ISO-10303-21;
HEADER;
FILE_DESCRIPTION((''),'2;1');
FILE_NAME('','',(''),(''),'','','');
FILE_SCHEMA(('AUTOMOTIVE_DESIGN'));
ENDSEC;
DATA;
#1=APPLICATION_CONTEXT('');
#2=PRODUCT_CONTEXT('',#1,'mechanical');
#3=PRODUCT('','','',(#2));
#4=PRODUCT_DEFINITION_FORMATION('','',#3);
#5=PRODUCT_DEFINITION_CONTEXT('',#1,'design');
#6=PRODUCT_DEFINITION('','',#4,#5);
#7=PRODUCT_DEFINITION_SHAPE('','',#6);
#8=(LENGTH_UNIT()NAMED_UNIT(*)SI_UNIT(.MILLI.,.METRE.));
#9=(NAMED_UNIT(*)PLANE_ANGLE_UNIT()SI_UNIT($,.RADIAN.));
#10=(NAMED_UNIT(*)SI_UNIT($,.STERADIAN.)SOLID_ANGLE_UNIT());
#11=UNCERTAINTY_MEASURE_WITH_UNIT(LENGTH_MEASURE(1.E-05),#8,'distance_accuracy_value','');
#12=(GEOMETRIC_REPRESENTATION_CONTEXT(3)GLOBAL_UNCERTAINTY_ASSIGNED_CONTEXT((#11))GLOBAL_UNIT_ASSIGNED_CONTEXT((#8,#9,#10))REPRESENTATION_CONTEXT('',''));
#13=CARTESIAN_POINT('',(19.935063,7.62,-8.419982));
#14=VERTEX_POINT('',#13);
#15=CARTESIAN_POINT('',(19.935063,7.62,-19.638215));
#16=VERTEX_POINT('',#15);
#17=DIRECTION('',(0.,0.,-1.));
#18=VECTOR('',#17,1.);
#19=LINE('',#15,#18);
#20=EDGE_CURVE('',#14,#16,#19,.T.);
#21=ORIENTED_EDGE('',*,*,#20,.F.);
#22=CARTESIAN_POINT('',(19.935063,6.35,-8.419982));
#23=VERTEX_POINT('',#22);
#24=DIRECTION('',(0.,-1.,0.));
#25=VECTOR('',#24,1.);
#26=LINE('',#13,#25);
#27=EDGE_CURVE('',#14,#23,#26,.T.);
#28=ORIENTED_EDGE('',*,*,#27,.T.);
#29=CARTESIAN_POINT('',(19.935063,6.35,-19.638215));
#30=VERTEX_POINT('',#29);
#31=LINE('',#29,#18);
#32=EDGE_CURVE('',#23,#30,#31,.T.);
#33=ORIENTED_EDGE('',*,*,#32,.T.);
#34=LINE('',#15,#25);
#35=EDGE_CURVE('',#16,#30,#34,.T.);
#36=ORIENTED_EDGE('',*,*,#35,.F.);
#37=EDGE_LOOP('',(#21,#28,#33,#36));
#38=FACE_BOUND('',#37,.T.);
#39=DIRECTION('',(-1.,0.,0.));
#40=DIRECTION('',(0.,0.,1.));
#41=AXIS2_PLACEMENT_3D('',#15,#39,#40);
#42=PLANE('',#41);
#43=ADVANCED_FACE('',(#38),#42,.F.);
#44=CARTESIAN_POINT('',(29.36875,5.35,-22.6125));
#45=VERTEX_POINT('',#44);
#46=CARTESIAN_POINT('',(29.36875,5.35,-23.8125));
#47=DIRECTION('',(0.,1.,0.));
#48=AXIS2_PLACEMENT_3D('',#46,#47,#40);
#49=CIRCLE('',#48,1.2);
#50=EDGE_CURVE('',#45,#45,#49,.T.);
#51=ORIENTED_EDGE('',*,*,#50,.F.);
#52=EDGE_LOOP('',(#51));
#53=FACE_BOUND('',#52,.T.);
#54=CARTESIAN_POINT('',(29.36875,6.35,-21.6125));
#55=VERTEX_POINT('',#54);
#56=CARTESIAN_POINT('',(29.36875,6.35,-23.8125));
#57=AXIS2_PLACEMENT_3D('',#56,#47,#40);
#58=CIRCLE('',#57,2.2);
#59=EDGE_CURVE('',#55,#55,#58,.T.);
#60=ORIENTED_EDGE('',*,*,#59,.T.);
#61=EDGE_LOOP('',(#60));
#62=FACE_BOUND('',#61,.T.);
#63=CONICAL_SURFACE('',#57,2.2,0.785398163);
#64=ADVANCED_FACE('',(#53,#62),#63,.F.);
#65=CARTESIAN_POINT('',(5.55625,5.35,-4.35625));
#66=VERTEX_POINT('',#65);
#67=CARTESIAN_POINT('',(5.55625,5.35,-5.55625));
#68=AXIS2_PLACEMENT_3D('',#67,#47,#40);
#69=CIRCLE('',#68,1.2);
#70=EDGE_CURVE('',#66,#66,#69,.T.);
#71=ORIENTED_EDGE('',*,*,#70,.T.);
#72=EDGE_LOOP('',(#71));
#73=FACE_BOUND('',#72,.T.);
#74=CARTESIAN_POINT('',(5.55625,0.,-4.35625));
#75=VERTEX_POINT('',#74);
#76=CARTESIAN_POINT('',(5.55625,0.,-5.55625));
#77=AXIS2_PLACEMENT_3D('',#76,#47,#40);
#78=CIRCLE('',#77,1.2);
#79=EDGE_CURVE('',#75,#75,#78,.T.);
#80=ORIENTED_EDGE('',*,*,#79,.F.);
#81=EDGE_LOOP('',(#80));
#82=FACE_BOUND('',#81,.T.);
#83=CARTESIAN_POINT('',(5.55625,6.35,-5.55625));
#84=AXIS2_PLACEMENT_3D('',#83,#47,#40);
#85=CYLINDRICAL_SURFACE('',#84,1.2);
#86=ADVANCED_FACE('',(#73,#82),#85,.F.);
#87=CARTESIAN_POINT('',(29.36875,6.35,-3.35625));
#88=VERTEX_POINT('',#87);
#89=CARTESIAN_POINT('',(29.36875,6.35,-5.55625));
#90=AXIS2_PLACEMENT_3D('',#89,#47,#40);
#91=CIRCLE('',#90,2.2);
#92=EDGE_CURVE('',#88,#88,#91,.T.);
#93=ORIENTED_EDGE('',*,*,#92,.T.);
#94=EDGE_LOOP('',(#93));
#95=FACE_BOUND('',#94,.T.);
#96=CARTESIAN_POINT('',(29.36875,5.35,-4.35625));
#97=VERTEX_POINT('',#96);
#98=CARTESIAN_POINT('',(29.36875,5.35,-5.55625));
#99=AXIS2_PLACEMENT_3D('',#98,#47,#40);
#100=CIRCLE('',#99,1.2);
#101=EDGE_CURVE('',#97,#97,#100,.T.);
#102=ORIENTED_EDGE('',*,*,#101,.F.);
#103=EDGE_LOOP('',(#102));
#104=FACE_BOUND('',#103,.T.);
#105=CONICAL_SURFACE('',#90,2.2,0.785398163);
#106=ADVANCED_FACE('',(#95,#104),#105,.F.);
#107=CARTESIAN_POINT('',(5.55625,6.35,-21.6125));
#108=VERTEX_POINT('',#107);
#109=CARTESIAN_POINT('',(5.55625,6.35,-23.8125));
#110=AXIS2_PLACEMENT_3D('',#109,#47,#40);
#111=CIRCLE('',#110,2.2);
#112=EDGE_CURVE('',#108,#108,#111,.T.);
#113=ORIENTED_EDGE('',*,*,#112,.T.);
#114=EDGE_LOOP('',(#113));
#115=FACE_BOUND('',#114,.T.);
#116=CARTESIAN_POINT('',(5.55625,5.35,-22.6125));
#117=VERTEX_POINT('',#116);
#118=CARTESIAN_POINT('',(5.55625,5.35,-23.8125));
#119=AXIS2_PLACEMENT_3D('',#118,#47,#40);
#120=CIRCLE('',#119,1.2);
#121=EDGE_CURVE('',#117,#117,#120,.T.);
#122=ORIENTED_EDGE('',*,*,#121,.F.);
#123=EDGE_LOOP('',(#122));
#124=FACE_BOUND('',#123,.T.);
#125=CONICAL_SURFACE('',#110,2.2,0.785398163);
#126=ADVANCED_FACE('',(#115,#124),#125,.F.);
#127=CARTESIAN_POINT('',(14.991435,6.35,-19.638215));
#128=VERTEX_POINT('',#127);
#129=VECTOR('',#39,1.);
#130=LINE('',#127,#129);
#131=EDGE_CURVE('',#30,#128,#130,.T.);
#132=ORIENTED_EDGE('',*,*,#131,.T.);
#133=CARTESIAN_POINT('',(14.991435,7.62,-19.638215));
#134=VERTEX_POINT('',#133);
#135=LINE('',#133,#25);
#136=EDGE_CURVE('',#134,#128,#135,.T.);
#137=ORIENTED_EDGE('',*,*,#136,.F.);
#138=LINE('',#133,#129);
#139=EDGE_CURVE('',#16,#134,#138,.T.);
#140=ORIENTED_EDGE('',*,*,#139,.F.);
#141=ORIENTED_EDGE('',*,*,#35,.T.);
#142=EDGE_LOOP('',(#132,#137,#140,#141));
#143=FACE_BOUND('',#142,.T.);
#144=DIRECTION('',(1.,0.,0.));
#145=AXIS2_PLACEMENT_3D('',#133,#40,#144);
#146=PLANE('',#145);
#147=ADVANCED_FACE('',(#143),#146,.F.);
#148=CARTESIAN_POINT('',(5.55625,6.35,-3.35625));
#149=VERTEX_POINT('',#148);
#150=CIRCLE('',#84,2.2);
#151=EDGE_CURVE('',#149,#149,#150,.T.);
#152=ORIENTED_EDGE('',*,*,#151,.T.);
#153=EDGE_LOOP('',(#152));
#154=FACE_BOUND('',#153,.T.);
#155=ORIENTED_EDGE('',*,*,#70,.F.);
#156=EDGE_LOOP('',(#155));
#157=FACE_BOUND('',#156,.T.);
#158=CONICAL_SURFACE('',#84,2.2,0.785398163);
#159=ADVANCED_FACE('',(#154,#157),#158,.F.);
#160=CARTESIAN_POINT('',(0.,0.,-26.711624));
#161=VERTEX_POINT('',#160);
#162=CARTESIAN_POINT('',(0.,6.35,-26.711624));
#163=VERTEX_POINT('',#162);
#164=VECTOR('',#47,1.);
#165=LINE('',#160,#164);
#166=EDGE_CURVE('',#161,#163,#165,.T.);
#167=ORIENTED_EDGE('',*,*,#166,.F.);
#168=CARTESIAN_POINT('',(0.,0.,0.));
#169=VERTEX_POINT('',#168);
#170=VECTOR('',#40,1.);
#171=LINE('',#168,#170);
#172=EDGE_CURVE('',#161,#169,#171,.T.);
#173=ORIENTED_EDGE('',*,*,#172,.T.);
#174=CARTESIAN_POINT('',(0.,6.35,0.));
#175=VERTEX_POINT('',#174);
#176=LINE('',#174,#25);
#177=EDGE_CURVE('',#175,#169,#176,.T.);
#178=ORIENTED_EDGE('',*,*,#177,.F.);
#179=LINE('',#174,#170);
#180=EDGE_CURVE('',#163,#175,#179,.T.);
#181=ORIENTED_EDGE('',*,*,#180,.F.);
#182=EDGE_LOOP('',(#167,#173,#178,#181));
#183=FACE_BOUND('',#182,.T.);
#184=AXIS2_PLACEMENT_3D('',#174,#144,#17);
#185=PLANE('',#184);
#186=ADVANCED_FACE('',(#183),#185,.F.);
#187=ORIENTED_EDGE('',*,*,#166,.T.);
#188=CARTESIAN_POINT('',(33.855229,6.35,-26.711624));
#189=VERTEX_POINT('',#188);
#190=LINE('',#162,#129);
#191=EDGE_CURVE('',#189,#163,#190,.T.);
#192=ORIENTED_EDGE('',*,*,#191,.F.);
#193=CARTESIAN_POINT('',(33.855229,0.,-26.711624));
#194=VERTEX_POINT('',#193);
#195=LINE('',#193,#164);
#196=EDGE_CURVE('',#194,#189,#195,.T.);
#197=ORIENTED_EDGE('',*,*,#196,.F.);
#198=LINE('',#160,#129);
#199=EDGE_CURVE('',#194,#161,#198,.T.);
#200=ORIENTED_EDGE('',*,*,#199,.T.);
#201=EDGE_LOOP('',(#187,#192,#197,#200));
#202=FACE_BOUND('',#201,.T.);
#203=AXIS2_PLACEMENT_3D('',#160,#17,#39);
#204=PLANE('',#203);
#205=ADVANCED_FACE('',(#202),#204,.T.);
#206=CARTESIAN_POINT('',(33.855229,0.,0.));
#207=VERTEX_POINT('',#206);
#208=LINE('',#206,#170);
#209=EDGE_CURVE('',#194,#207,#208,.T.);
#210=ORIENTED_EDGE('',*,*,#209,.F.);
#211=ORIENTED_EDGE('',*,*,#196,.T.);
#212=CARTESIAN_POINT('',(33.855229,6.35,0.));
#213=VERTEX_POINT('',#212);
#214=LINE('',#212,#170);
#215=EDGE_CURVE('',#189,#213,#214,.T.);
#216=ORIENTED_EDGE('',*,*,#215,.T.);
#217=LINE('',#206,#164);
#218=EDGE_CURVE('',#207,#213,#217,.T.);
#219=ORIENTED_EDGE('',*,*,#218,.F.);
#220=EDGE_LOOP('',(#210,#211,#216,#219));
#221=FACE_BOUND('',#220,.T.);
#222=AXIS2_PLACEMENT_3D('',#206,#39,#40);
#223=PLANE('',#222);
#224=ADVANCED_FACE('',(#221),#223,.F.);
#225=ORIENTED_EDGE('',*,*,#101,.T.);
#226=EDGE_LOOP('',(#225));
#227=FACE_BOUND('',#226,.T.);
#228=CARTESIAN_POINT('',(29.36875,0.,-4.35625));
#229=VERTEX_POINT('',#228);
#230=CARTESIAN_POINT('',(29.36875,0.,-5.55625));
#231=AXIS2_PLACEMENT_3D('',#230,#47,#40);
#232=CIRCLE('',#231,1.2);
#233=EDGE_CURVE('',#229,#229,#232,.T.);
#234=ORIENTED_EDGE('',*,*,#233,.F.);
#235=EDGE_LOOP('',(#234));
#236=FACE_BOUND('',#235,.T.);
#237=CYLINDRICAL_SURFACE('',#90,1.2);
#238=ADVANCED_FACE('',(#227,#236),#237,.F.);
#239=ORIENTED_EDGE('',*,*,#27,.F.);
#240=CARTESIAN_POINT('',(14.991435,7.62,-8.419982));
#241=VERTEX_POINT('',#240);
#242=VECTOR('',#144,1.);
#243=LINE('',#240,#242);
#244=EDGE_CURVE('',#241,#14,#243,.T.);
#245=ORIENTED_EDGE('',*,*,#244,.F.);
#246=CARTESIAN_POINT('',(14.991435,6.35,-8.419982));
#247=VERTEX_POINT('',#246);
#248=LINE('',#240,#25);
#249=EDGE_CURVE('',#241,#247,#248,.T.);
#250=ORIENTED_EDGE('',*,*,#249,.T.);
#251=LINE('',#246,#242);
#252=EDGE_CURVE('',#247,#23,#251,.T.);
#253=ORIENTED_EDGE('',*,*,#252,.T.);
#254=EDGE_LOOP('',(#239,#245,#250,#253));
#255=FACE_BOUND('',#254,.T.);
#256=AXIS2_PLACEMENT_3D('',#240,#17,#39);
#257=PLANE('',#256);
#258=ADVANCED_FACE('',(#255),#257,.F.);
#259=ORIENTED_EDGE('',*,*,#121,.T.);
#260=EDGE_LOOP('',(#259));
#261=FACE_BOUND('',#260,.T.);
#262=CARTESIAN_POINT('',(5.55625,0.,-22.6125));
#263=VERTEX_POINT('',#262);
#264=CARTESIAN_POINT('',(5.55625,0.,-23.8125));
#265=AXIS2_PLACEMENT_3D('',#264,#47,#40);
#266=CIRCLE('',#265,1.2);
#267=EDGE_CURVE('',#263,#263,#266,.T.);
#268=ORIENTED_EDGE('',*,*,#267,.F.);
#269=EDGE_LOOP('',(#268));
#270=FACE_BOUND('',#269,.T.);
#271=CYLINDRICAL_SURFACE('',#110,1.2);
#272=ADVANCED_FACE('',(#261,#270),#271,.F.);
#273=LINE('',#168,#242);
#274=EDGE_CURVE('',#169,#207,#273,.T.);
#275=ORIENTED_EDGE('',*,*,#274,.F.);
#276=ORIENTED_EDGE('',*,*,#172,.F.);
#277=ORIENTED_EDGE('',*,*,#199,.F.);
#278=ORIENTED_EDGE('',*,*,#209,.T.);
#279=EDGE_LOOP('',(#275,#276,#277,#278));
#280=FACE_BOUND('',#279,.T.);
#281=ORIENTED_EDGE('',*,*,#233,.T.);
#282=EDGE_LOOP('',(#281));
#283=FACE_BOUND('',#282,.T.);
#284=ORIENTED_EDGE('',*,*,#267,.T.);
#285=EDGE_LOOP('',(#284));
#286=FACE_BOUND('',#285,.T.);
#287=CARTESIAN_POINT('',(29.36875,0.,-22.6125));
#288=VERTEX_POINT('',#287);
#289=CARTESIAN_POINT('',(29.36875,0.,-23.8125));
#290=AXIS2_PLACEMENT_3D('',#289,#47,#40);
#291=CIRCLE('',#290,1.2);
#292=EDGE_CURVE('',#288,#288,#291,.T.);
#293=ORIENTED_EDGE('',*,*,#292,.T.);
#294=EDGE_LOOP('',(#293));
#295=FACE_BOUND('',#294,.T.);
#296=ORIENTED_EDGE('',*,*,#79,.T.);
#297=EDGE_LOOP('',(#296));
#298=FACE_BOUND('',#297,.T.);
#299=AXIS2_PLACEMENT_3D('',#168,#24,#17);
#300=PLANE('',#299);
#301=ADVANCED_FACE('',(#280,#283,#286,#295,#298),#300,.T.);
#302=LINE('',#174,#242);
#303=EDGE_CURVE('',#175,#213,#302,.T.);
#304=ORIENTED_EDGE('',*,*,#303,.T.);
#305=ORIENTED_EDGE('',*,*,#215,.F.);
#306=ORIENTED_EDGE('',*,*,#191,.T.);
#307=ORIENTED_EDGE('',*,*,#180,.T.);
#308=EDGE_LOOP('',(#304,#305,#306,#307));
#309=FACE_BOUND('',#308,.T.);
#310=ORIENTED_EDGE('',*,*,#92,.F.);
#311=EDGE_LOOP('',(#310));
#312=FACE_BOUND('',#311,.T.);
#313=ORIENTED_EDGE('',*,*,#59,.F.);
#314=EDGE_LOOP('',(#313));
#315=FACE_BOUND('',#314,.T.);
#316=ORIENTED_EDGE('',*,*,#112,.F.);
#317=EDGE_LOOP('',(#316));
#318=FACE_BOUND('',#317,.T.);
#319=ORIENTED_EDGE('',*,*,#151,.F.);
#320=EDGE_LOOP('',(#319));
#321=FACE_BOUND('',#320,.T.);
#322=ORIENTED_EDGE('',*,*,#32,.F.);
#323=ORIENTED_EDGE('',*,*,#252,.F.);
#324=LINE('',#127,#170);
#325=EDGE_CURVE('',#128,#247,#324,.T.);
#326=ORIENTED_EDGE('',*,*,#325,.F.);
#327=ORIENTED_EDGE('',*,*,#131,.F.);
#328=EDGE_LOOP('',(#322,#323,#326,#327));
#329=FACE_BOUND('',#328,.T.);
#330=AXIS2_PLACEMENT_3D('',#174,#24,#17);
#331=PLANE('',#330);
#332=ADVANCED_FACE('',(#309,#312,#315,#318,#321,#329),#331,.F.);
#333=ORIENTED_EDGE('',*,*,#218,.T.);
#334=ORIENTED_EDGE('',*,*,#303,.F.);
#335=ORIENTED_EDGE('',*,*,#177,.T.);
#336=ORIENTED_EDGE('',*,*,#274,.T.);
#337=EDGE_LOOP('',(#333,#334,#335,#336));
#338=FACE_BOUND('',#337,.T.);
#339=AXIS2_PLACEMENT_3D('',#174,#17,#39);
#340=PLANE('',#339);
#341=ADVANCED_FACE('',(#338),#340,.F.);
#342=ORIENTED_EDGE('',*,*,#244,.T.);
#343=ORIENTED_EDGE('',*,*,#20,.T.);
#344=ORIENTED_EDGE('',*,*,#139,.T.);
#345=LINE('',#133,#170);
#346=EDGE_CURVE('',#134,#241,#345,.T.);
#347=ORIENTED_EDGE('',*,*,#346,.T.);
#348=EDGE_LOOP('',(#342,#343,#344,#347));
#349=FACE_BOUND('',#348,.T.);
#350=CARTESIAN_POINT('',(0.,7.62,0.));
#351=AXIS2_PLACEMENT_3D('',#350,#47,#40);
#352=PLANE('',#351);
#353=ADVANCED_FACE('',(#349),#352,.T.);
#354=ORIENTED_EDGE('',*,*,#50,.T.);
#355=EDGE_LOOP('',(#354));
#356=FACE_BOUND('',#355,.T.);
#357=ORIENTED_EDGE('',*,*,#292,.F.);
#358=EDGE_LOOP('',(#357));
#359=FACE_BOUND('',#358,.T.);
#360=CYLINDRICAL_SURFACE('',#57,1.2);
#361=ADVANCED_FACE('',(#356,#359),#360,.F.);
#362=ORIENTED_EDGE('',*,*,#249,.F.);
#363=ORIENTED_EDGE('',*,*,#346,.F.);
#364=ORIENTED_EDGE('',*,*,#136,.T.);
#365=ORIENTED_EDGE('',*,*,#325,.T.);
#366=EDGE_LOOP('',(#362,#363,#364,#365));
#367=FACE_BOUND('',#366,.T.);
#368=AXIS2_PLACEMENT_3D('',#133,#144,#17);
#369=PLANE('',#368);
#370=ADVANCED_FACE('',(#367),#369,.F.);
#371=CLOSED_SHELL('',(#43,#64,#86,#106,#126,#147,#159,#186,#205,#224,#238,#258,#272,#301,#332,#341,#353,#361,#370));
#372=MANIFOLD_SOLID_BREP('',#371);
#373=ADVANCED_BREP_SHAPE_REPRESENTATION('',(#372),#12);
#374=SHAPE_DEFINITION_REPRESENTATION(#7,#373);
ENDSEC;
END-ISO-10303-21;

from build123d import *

# Parameters (mm, degrees)
SKETCH1_W                                       = 203.2
SKETCH1_H                                       = 107.15625
BOSS_EXTRUDE1_DEPTH                             = 6.35
CSK_FOR_M2_FLAT_HEAD_MACHINE_SCREW1_D           = 2.4
CSK_FOR_M2_FLAT_HEAD_MACHINE_SCREW1_CSINK_D     = 4.4
CSK_FOR_M2_FLAT_HEAD_MACHINE_SCREW1_CSINK_ANGLE = 90
SKETCH4_W                                       = 4.943628295
SKETCH4_H                                       = 11.218233438
BOSS_EXTRUDE2_DEPTH                             = 1.27
SKETCH5_R                                       = 2.2
SKETCH5_W                                       = 33.85522898
SKETCH5_H                                       = 80.444626197
CUT_EXTRUDE1_DEPTH                              = 230.810844857


with BuildPart() as part:
    # Sketch1 → Boss-Extrude1 (new body)
    with BuildSketch(Plane(origin=(0, 0, 0), x_dir=(1, 0, 0), z_dir=(0, 1, 0))):
        with Locations((101.6, 53.578125)):
            Rectangle(SKETCH1_W, SKETCH1_H)
    extrude(amount=BOSS_EXTRUDE1_DEPTH)

    # CSK for M2 Flat Head Machine Screw1 (through all)
    with Locations(Plane(origin=(0, 6.35, 0), x_dir=(1, 0, 0), z_dir=(0, 1, 0))):
        with Locations((5.55625, 101.6), (1.201469153, 116.400099152), (1.201469153, 113.370035287), (29.36875, 101.6), (5.55625, 5.55625), (29.36875, 5.55625), (173.83125, 5.55625), (173.83125, 101.6), (197.64375, 101.6), (197.64375, 5.55625), (5.55625, 83.34375), (29.36875, 83.34375), (5.55625, 23.8125), (173.83125, 83.34375), (197.64375, 83.34375), (173.83125, 23.8125), (197.64375, 23.8125), (29.36875, 23.8125)):
            CounterSinkHole(CSK_FOR_M2_FLAT_HEAD_MACHINE_SCREW1_D / 2, CSK_FOR_M2_FLAT_HEAD_MACHINE_SCREW1_CSINK_D / 2, counter_sink_angle=CSK_FOR_M2_FLAT_HEAD_MACHINE_SCREW1_CSINK_ANGLE)

    # Sketch4 → Boss-Extrude2 (add)
    with BuildSketch(Plane(origin=(0, 6.35, 0), x_dir=(1, 0, 0), z_dir=(0, 1, 0))):
        with Locations((17.463249219, 14.029098644)):
            Rectangle(SKETCH4_W, SKETCH4_H)
    extrude(amount=BOSS_EXTRUDE2_DEPTH)

    # Sketch5 → Cut-Extrude1 (cut, through all)
    # profile 1 of 14: a face of its own
    with BuildSketch(Plane(origin=(0, 6.35, 0), x_dir=(1, 0, 0), z_dir=(0, 1, 0))):
        Polygon((203.2, 107.15625), (33.85522898, 107.15625), (33.85522898, 26.711623803), (33.85522898, 0), (203.2, 0), align=None)
        with Locations((173.83125, 5.55625)):
            Circle(SKETCH5_R, mode=Mode.SUBTRACT)
        with Locations((197.64375, 5.55625)):
            Circle(SKETCH5_R, mode=Mode.SUBTRACT)
        with Locations((173.83125, 23.8125)):
            Circle(SKETCH5_R, mode=Mode.SUBTRACT)
        with Locations((197.64375, 23.8125)):
            Circle(SKETCH5_R, mode=Mode.SUBTRACT)
        with Locations((173.83125, 83.34375)):
            Circle(SKETCH5_R, mode=Mode.SUBTRACT)
        with Locations((197.64375, 83.34375)):
            Circle(SKETCH5_R, mode=Mode.SUBTRACT)
        with Locations((173.83125, 101.6)):
            Circle(SKETCH5_R, mode=Mode.SUBTRACT)
        with Locations((197.64375, 101.6)):
            Circle(SKETCH5_R, mode=Mode.SUBTRACT)
    # profile 2 of 14: a face of its own
    with BuildSketch(Plane(origin=(0, 6.35, 0), x_dir=(1, 0, 0), z_dir=(0, 1, 0))):
        with Locations((16.92761449, 66.933936902)):
            Rectangle(SKETCH5_W, SKETCH5_H)
        with Locations((5.55625, 83.34375)):
            Circle(SKETCH5_R, mode=Mode.SUBTRACT)
        with Locations((29.36875, 83.34375)):
            Circle(SKETCH5_R, mode=Mode.SUBTRACT)
        with Locations((5.55625, 101.6)):
            Circle(SKETCH5_R, mode=Mode.SUBTRACT)
        with Locations((29.36875, 101.6)):
            Circle(SKETCH5_R, mode=Mode.SUBTRACT)
    # profile 3 of 14: a face of its own
    with BuildSketch(Plane(origin=(0, 6.35, 0), x_dir=(1, 0, 0), z_dir=(0, 1, 0))):
        with Locations((5.55625, 83.34375)):
            Circle(SKETCH5_R)
    # profile 4 of 14: a face of its own
    with BuildSketch(Plane(origin=(0, 6.35, 0), x_dir=(1, 0, 0), z_dir=(0, 1, 0))):
        with Locations((5.55625, 101.6)):
            Circle(SKETCH5_R)
    # profile 5 of 14: a face of its own
    with BuildSketch(Plane(origin=(0, 6.35, 0), x_dir=(1, 0, 0), z_dir=(0, 1, 0))):
        with Locations((29.36875, 101.6)):
            Circle(SKETCH5_R)
    # profile 6 of 14: a face of its own
    with BuildSketch(Plane(origin=(0, 6.35, 0), x_dir=(1, 0, 0), z_dir=(0, 1, 0))):
        with Locations((29.36875, 83.34375)):
            Circle(SKETCH5_R)
    # profile 7 of 14: a face of its own
    with BuildSketch(Plane(origin=(0, 6.35, 0), x_dir=(1, 0, 0), z_dir=(0, 1, 0))):
        with Locations((173.83125, 101.6)):
            Circle(SKETCH5_R)
    # profile 8 of 14: a face of its own
    with BuildSketch(Plane(origin=(0, 6.35, 0), x_dir=(1, 0, 0), z_dir=(0, 1, 0))):
        with Locations((197.64375, 101.6)):
            Circle(SKETCH5_R)
    # profile 9 of 14: a face of its own
    with BuildSketch(Plane(origin=(0, 6.35, 0), x_dir=(1, 0, 0), z_dir=(0, 1, 0))):
        with Locations((173.83125, 83.34375)):
            Circle(SKETCH5_R)
    # profile 10 of 14: a face of its own
    with BuildSketch(Plane(origin=(0, 6.35, 0), x_dir=(1, 0, 0), z_dir=(0, 1, 0))):
        with Locations((197.64375, 83.34375)):
            Circle(SKETCH5_R)
    # profile 11 of 14: a face of its own
    with BuildSketch(Plane(origin=(0, 6.35, 0), x_dir=(1, 0, 0), z_dir=(0, 1, 0))):
        with Locations((173.83125, 23.8125)):
            Circle(SKETCH5_R)
    # profile 12 of 14: a face of its own
    with BuildSketch(Plane(origin=(0, 6.35, 0), x_dir=(1, 0, 0), z_dir=(0, 1, 0))):
        with Locations((197.64375, 23.8125)):
            Circle(SKETCH5_R)
    # profile 13 of 14: a face of its own
    with BuildSketch(Plane(origin=(0, 6.35, 0), x_dir=(1, 0, 0), z_dir=(0, 1, 0))):
        with Locations((173.83125, 5.55625)):
            Circle(SKETCH5_R)
    # profile 14 of 14: a face of its own
    with BuildSketch(Plane(origin=(0, 6.35, 0), x_dir=(1, 0, 0), z_dir=(0, 1, 0))):
        with Locations((197.64375, 5.55625)):
            Circle(SKETCH5_R)
    extrude(amount=-CUT_EXTRUDE1_DEPTH, mode=Mode.SUBTRACT)


solid = part.part
